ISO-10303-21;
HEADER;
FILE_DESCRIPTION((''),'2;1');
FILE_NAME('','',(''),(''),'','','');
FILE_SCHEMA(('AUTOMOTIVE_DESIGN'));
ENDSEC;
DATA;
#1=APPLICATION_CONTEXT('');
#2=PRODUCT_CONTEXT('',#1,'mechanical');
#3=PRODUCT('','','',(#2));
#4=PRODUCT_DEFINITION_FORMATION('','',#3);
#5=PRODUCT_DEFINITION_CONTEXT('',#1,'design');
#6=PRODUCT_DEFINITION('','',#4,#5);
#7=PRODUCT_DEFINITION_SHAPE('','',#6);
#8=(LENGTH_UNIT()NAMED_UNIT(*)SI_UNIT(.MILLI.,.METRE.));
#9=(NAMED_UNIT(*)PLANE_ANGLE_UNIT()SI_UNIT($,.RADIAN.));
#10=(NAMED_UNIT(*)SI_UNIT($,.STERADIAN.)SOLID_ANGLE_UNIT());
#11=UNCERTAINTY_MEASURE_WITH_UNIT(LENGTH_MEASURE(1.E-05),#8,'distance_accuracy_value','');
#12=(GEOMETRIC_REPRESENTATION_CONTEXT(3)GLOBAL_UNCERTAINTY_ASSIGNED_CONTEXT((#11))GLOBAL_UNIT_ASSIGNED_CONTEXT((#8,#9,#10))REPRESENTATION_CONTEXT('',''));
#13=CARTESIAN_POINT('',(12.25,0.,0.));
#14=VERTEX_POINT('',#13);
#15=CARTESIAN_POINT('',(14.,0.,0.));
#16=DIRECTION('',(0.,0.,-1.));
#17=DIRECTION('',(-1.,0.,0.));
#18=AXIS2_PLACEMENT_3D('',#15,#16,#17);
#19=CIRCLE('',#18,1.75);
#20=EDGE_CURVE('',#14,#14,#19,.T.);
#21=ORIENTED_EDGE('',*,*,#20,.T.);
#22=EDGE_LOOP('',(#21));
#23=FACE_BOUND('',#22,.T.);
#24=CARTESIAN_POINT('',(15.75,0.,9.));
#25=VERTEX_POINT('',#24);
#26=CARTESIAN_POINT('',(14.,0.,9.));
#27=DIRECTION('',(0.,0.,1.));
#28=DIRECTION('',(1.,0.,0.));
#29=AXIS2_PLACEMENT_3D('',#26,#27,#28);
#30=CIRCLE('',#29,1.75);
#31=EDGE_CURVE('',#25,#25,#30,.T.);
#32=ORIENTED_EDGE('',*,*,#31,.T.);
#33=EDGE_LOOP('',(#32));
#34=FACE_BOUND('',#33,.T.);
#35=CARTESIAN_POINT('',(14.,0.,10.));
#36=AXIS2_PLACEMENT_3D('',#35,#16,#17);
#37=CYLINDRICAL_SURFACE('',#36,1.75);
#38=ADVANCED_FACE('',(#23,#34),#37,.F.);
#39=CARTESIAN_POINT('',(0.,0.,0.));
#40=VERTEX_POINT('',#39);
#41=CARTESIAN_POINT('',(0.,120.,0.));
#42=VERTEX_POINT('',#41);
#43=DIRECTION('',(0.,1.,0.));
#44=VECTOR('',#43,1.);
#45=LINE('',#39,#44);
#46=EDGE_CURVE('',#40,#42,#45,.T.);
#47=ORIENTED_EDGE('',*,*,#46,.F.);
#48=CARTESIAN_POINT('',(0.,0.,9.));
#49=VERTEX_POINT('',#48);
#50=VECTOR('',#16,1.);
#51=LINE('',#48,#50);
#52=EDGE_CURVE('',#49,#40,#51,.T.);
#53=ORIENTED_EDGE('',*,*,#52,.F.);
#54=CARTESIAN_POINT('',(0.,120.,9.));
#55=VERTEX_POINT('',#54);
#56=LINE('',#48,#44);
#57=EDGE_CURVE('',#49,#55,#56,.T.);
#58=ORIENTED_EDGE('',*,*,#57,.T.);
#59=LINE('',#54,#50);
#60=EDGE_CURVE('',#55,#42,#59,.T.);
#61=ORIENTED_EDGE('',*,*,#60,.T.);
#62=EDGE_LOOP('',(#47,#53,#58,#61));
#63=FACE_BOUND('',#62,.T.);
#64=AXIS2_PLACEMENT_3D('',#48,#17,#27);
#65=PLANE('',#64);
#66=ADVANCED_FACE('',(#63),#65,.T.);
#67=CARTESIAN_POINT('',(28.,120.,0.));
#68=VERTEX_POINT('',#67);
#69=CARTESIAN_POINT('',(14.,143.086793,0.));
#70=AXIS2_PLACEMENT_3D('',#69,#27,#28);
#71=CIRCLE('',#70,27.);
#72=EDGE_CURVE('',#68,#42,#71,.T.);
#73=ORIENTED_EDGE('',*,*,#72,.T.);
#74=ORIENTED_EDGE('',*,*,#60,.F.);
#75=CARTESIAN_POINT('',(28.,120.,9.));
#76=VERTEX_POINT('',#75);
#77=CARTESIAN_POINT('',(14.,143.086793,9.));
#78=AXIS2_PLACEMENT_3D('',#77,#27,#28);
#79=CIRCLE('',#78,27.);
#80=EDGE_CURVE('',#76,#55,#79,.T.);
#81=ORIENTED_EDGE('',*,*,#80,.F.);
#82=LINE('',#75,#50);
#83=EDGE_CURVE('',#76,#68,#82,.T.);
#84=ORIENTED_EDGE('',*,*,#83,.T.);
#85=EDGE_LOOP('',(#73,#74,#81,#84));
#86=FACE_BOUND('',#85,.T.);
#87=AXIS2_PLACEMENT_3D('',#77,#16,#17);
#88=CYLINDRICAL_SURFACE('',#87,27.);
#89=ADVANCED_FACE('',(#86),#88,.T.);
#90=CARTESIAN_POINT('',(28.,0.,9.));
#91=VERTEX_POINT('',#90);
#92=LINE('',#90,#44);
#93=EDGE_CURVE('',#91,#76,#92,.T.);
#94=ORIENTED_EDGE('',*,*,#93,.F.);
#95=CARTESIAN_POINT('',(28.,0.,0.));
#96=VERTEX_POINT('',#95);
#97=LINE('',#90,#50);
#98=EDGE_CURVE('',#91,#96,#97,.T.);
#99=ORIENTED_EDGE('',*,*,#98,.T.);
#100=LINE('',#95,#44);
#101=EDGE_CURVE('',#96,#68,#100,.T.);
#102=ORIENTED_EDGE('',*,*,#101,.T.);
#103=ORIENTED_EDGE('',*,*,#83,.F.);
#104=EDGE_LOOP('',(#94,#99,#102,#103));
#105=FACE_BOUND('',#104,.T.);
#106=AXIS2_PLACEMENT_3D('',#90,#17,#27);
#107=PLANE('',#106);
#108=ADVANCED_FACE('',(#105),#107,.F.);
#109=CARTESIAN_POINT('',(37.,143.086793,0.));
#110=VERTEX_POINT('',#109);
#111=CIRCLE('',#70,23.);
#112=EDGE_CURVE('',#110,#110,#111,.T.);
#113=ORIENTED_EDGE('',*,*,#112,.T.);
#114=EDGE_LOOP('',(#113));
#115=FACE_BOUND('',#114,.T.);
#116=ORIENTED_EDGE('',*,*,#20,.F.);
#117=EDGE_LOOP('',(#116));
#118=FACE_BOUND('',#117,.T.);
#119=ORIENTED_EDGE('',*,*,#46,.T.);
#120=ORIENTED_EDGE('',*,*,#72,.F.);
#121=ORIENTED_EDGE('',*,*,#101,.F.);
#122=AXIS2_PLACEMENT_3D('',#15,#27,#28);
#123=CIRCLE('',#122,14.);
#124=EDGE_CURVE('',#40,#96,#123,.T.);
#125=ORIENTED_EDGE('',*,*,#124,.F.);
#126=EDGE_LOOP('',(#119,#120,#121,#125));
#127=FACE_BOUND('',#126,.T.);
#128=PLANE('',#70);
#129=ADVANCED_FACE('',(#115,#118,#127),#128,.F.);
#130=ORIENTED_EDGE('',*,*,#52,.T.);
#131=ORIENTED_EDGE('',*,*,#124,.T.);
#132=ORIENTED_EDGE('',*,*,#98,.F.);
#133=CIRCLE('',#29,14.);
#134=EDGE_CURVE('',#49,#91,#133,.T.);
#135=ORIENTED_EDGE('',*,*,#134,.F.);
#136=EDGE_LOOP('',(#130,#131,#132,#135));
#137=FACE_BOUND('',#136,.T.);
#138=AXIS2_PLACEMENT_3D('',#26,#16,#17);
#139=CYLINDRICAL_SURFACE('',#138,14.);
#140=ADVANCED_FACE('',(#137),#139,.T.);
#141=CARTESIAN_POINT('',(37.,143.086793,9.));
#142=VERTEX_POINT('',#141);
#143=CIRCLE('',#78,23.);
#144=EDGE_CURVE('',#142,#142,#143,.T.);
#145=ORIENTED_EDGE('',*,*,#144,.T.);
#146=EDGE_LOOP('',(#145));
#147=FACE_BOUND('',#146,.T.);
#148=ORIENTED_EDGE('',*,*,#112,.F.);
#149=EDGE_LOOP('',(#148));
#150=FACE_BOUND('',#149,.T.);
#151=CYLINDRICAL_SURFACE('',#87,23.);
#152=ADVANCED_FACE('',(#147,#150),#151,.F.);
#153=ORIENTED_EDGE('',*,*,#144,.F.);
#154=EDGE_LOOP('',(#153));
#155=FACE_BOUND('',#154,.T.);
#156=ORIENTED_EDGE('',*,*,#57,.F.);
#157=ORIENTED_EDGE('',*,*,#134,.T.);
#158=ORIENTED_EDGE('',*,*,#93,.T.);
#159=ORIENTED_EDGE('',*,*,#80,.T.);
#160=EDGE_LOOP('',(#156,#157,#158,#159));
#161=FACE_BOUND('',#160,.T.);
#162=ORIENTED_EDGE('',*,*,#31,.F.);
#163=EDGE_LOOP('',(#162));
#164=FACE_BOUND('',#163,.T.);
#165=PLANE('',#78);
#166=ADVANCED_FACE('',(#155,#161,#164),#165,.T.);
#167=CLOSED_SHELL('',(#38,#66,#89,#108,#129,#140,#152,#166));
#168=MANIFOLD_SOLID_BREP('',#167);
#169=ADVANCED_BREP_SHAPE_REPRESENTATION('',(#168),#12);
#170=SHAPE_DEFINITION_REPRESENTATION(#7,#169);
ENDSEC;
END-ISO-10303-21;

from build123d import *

# Parameters (mm, degrees)
SKETCH_4_R          = 23
EXTRUDE_2_DEPTH     = 9
SKETCH_5_R          = 1.75
CUT_EXTRUDE_1_DEPTH = 10


with BuildPart() as part:
    # 草图4 → 凸台-拉伸2 (new body)
    with BuildSketch(Plane.XY):
        with BuildLine():
            Line((0, 0), (0, 120))
            ThreePointArc((0, 120), (14, 170.086792761), (28, 120))
            Line((28, 120), (28, 0))
            ThreePointArc((28, 0), (14, -14), (0, 0))
        make_face()
        with Locations((14, 143.086792761)):
            Circle(SKETCH_4_R, mode=Mode.SUBTRACT)
    extrude(amount=EXTRUDE_2_DEPTH)

    # 草图5 → 切除-拉伸1 (cut)
    with BuildSketch(Plane(origin=(0, 0, 0), x_dir=(-1, 0, 0), z_dir=(0, 0, -1))):
        with Locations((-14, 0)):
            Circle(SKETCH_5_R)
    extrude(amount=-CUT_EXTRUDE_1_DEPTH, mode=Mode.SUBTRACT)


solid = part.part
